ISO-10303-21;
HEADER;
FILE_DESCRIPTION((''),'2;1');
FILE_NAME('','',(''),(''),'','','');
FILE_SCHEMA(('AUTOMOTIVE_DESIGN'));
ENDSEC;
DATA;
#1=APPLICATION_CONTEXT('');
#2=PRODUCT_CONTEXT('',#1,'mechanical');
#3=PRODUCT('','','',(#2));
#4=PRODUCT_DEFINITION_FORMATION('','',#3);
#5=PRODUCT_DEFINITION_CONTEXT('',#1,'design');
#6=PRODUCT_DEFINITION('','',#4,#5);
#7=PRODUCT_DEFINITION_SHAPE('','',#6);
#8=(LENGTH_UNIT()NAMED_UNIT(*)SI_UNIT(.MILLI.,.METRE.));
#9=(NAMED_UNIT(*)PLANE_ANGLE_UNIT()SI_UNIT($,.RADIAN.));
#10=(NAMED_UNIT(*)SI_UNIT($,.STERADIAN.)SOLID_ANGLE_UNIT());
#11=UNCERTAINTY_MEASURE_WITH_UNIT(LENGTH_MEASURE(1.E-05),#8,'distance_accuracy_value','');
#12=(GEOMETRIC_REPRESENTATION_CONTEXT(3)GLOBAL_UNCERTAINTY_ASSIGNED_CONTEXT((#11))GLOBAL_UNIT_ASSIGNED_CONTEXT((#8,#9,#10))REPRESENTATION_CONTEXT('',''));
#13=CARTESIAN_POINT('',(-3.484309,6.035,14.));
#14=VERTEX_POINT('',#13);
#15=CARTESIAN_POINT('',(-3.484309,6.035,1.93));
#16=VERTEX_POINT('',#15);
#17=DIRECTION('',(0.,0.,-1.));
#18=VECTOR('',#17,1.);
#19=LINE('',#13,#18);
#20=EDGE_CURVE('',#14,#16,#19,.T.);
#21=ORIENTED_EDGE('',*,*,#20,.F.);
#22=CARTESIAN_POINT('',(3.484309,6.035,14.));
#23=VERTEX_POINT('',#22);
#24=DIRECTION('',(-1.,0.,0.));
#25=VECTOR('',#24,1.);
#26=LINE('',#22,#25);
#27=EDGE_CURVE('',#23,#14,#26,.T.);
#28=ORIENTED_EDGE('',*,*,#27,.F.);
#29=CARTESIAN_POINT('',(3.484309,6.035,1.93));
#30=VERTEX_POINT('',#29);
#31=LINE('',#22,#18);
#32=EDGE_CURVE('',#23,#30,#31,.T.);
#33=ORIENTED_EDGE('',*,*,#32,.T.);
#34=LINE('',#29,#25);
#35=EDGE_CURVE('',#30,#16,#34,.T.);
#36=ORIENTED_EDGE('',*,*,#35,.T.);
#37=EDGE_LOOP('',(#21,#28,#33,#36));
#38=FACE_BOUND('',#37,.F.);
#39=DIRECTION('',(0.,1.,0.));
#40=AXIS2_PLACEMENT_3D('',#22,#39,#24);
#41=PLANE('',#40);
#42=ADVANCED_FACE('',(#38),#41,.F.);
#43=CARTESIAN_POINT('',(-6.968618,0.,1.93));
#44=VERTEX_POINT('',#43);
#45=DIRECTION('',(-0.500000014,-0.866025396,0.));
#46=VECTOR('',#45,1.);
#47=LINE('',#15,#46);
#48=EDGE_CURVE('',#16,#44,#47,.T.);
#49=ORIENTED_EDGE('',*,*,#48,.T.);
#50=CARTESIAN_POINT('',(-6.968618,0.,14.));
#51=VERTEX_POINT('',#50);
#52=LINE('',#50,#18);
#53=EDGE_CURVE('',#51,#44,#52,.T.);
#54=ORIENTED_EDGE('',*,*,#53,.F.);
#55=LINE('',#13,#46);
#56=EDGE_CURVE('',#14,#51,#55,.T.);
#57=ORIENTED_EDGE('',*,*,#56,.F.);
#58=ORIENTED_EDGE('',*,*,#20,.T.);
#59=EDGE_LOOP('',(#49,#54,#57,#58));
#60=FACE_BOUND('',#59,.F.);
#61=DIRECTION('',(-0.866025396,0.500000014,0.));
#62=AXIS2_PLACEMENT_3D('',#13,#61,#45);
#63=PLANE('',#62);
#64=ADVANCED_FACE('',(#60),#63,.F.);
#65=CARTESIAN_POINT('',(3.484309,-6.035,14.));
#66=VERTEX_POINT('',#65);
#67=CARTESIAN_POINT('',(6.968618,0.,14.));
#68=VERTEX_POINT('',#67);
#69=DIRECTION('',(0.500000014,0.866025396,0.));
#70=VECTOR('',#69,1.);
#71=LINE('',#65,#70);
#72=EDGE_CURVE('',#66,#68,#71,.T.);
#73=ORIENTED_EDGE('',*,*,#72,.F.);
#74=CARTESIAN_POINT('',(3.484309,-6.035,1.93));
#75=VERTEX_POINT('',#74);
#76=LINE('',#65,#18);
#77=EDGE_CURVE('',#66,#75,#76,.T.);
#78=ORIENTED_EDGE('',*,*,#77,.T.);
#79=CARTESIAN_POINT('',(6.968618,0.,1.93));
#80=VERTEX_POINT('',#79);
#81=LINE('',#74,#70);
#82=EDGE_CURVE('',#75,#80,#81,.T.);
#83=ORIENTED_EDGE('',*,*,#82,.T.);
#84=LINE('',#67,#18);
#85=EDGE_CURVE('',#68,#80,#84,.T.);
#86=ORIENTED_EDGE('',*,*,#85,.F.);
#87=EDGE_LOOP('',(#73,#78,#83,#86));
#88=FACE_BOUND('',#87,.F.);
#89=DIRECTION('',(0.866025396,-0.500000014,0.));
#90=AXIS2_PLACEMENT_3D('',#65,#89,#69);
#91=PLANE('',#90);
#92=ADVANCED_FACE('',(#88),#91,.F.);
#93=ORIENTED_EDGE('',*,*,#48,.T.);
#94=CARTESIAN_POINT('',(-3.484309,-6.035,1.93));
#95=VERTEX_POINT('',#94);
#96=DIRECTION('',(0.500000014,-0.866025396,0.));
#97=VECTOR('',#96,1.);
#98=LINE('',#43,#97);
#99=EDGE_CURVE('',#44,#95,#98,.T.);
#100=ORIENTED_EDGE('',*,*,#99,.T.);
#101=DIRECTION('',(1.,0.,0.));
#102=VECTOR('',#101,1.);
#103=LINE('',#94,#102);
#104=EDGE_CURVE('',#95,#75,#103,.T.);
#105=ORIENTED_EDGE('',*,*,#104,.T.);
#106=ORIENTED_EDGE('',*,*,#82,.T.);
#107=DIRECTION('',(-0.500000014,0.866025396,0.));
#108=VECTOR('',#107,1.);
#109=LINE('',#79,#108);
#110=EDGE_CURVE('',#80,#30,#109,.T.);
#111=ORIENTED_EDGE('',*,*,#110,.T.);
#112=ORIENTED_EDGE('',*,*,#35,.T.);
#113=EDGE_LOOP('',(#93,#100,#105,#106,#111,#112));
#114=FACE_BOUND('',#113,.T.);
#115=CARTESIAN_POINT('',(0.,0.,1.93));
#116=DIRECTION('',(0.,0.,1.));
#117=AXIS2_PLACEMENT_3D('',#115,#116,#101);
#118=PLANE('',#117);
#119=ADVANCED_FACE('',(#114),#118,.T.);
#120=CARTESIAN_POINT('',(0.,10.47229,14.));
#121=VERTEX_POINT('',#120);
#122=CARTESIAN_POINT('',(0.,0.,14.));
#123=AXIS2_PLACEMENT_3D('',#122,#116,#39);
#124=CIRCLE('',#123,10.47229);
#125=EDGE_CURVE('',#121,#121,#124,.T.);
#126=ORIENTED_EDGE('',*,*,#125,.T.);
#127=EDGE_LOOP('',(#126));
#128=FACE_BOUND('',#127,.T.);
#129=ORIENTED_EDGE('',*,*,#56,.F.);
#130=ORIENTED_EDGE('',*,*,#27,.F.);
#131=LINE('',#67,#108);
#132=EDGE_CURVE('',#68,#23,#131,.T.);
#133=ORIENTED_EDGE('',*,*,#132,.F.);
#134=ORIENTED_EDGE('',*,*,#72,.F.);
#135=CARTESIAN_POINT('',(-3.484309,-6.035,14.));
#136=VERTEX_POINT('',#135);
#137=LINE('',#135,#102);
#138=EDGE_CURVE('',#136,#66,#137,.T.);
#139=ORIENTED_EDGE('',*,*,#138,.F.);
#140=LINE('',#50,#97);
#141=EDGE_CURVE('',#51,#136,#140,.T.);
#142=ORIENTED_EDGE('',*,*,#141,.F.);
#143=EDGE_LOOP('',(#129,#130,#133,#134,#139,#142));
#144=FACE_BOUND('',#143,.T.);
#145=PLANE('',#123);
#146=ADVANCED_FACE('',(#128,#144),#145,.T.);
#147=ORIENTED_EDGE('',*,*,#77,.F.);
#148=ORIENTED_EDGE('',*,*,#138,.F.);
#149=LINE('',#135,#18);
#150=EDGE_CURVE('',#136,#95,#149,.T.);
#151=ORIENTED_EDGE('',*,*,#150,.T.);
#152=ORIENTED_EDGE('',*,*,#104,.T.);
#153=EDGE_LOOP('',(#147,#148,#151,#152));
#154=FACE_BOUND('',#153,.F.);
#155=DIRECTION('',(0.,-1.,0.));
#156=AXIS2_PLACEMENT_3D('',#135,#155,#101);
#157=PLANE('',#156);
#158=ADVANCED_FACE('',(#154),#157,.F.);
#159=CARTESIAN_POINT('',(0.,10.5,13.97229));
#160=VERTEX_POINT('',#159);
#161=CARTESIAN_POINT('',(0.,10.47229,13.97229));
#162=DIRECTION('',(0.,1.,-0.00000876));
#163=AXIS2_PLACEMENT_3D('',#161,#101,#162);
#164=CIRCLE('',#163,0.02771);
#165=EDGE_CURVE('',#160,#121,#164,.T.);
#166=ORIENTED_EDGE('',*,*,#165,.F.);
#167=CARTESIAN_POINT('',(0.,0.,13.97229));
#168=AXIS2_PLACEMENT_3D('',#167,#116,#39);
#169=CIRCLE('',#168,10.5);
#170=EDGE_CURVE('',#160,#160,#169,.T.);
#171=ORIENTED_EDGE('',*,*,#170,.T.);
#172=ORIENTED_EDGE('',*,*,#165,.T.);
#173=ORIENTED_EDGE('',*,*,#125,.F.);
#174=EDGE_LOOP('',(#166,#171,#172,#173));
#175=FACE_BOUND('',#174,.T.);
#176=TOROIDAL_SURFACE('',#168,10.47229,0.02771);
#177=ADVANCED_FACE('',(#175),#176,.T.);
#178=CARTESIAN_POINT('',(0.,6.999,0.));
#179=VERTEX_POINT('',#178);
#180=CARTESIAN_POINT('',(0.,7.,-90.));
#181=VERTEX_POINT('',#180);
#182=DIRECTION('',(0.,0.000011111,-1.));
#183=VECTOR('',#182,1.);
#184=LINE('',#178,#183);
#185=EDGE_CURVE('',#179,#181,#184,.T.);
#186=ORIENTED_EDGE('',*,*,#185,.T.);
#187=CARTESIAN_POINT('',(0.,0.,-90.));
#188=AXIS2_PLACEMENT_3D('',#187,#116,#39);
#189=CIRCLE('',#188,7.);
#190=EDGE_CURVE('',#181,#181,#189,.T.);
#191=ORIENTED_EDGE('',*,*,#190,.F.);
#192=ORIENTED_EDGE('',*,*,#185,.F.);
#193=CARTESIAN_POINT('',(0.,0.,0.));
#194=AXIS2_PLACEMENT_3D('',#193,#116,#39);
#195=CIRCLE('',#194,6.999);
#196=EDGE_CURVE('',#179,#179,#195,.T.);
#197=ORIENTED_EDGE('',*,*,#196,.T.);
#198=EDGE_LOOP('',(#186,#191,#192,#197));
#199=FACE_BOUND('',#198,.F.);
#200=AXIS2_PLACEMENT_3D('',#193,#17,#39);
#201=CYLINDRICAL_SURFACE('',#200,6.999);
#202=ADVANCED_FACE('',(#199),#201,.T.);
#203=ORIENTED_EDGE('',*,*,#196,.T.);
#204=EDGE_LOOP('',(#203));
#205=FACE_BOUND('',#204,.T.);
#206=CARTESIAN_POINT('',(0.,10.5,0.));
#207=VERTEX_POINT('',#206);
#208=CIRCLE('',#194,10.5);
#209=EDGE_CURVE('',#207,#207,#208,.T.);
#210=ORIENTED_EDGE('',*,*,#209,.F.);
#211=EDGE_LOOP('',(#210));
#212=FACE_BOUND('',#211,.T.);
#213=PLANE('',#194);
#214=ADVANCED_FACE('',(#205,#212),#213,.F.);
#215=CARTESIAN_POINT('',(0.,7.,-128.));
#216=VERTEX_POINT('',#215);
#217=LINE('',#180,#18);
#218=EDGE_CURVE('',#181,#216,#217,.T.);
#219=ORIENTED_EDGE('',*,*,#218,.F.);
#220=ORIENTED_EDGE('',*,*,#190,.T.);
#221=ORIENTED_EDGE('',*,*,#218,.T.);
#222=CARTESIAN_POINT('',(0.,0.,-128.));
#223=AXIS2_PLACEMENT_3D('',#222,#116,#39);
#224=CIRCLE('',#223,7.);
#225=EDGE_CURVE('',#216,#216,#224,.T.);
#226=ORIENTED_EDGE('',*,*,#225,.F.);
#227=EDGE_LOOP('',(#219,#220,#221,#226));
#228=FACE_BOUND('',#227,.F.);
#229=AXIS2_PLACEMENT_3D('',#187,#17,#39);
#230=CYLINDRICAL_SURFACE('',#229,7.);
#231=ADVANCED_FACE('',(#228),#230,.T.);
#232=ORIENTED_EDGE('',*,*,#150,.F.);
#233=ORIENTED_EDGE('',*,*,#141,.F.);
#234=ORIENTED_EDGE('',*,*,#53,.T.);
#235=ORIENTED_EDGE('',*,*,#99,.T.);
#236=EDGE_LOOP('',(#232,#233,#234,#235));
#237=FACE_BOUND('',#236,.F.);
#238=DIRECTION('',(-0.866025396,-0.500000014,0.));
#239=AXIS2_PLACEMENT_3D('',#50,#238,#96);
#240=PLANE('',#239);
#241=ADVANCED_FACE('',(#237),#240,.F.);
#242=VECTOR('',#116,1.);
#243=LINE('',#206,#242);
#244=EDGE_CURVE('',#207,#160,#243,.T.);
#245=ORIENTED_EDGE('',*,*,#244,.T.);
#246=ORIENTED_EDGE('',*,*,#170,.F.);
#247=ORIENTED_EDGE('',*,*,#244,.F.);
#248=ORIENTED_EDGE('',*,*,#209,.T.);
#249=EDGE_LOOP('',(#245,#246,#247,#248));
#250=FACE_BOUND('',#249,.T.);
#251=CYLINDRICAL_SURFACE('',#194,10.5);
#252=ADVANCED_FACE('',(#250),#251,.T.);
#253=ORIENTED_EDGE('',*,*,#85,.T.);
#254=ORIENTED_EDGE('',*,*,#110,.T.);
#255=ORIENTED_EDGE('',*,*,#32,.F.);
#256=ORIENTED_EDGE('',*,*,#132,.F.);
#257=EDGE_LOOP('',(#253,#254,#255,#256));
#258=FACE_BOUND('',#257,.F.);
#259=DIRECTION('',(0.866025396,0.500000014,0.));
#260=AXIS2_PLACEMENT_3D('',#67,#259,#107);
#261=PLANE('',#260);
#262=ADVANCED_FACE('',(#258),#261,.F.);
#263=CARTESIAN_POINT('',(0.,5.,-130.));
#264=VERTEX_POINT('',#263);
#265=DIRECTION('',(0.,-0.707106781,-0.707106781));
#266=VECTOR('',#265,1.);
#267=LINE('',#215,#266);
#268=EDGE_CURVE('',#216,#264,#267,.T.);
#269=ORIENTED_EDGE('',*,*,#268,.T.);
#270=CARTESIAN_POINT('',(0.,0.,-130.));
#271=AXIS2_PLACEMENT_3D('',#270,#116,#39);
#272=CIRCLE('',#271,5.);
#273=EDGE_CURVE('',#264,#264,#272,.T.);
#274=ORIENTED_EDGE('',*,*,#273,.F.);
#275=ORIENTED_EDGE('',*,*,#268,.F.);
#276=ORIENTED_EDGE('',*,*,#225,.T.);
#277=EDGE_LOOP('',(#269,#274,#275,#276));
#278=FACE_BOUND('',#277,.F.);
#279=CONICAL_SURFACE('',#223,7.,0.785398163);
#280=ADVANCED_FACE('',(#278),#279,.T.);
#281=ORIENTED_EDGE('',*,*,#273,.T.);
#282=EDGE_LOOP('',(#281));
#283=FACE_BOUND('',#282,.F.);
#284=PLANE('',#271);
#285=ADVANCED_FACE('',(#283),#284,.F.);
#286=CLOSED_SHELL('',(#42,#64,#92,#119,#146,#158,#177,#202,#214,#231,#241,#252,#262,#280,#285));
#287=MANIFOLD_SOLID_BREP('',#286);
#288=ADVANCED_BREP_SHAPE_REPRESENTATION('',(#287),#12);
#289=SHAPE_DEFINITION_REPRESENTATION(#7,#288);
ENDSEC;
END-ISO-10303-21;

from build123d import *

# Parameters (mm, degrees)
POCKET_DEPTH = 12.07


with BuildPart() as part:
    # Sketch → Revolve (revolve)
    with BuildSketch(Plane.YZ):
        with BuildLine():
            Line((6.999, 0), (10.5, 0))
            Line((10.5, 0), (10.5, 13.97229))
            ThreePointArc((10.5, 13.97229), (10.491884, 13.991884), (10.47229, 14))
            Line((10.47229, 14), (0, 14))
            Line((0, -130), (0, 14))
            Line((5, -130), (0, -130))
            Line((7, -128), (5, -130))
            Line((7, -90), (7, -128))
            Line((6.999, 0), (7, -90))
        make_face()
    revolve(axis=Axis((0, 0, 0), (0, 0, 1)))

    # Sketch001 → Pocket (cut)
    with BuildSketch(Plane.XY.offset(14)):
        Polygon((6.968618, 0), (3.484309, 6.035), (-3.484309, 6.035), (-6.968618, 0), (-3.484309, -6.035), (3.484309, -6.035), align=None)
    extrude(amount=-POCKET_DEPTH, mode=Mode.SUBTRACT)


solid = part.part
